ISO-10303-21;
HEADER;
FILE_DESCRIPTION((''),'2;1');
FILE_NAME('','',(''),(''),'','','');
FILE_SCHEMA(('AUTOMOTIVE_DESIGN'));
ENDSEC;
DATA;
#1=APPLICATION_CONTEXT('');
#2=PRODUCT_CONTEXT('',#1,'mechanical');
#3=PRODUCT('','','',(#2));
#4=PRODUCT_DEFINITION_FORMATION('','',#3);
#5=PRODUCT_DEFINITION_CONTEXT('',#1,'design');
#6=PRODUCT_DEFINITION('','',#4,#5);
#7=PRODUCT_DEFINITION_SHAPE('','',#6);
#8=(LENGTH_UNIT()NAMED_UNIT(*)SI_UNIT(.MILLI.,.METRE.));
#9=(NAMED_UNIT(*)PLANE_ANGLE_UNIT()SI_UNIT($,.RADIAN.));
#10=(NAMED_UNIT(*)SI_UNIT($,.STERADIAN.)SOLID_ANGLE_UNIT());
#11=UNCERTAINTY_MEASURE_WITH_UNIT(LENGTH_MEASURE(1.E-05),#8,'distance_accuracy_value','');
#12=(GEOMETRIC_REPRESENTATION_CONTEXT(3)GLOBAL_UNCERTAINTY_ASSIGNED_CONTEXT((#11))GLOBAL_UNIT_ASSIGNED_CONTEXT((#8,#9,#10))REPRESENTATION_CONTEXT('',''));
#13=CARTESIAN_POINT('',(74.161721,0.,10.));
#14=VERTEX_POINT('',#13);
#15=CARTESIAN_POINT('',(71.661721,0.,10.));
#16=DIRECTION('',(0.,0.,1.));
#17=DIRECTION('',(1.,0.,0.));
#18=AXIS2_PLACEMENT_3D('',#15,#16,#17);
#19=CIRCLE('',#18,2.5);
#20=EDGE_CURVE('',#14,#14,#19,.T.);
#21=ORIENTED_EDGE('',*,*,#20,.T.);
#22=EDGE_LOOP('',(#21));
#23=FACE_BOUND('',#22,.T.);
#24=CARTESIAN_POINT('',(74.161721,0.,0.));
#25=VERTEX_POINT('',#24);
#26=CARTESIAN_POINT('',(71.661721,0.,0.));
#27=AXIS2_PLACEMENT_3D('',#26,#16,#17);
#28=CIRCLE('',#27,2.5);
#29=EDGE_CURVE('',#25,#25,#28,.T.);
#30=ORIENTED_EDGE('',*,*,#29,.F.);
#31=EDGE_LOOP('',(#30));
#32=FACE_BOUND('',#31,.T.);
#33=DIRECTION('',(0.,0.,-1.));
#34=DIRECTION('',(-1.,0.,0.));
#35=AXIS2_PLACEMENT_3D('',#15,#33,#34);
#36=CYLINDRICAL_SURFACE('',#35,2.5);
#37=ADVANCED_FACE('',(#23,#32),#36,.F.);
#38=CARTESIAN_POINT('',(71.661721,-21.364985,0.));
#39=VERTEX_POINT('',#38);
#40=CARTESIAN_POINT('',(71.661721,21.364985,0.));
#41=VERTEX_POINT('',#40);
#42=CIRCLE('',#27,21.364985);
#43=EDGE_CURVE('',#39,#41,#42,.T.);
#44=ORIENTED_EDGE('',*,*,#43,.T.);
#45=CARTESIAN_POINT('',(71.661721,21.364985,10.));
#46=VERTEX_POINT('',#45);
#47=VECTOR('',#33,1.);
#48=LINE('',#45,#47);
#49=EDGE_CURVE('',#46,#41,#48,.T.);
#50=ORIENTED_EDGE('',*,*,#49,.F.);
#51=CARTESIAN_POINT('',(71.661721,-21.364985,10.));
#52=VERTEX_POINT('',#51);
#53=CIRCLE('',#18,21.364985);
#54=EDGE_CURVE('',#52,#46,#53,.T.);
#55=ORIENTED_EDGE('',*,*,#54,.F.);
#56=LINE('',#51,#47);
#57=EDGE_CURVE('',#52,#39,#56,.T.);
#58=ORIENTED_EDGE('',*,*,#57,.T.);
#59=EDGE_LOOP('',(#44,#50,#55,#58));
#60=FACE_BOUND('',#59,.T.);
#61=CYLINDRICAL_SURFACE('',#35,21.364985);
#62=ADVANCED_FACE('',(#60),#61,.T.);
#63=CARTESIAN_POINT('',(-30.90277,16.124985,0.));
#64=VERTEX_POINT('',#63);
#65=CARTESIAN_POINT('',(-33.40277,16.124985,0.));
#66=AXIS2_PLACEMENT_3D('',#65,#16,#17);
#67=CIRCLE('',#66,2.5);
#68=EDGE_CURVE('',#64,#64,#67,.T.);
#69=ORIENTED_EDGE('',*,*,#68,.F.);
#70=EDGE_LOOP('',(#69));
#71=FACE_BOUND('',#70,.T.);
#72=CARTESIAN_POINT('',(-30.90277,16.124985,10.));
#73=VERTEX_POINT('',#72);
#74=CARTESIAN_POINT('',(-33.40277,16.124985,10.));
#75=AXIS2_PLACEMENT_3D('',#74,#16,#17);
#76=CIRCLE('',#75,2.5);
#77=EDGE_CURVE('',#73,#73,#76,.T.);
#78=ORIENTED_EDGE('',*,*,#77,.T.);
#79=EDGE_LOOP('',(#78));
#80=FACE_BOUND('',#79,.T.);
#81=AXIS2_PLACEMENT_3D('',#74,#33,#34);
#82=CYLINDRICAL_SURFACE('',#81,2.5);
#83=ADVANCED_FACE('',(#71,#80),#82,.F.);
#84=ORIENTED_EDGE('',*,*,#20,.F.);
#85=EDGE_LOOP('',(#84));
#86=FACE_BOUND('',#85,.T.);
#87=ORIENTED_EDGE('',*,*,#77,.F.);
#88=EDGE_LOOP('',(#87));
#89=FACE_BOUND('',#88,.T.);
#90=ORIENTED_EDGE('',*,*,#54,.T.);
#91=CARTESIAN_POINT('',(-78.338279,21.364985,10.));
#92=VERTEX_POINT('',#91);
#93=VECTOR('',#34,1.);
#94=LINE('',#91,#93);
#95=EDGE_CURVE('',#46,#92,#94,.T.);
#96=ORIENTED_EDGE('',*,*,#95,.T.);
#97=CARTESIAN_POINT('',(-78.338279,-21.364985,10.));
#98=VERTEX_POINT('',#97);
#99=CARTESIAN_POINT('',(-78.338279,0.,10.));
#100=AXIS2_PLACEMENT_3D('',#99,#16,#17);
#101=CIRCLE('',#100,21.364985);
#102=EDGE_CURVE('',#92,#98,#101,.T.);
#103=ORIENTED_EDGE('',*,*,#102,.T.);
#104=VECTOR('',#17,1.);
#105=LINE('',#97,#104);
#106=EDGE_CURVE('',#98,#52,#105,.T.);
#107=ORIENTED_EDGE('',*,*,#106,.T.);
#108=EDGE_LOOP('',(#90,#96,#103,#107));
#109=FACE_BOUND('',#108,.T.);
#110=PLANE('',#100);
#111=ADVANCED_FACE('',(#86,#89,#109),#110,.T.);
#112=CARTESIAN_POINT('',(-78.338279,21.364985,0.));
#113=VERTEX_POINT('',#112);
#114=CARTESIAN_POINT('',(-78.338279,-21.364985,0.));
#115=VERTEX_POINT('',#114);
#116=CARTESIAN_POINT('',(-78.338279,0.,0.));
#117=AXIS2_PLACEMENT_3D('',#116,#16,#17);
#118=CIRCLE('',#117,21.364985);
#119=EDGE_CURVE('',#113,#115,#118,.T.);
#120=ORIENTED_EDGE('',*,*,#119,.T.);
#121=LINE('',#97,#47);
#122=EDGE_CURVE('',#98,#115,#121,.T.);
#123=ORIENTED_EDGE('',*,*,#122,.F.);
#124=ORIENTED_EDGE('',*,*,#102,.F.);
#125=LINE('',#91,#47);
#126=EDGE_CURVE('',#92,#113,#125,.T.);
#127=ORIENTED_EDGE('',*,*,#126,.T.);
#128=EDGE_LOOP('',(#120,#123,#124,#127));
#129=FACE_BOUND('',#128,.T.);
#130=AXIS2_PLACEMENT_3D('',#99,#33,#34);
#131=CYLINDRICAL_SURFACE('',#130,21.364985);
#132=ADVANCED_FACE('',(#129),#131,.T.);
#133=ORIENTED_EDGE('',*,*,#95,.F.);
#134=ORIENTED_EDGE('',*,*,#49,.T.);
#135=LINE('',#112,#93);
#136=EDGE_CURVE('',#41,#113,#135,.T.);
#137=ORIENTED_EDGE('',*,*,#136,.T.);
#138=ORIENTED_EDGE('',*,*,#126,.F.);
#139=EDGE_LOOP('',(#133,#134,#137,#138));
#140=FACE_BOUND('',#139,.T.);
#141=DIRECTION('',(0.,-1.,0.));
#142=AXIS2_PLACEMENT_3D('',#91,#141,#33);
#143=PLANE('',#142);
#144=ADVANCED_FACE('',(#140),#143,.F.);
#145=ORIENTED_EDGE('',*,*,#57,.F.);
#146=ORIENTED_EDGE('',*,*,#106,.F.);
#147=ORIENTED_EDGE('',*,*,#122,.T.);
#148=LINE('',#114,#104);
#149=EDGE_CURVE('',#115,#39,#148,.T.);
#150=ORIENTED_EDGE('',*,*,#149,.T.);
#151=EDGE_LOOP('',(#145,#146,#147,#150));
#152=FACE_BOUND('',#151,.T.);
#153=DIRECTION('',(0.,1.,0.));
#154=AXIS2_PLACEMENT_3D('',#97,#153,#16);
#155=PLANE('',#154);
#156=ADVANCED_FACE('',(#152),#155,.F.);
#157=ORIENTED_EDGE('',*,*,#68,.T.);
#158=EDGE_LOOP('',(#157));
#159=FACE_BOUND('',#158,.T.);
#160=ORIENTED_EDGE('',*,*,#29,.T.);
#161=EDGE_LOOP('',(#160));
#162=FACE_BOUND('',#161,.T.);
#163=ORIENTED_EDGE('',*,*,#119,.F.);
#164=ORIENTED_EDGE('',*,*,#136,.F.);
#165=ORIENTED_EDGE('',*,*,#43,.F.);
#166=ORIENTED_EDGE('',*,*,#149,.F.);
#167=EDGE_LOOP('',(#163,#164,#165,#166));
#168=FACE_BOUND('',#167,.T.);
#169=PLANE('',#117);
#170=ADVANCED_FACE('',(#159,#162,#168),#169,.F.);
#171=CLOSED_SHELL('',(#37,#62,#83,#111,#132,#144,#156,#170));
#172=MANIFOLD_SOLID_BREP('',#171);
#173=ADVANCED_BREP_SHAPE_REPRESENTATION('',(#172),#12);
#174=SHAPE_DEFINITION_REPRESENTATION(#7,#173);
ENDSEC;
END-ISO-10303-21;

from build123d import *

# Parameters (mm, degrees)
SKETCH1_R           = 2.5
BOSS_EXTRUDE1_DEPTH = 10


with BuildPart() as part:
    # Sketch1 → Boss-Extrude1 (new body)
    with BuildSketch(Plane.XY):
        with BuildLine():
            Line((-78.338278932, 21.364985163), (71.661721068, 21.364985163))
            ThreePointArc((71.661721068, 21.364985163), (93.026706231, 0), (71.661721068, -21.364985163))
            Line((71.661721068, -21.364985163), (-78.338278932, -21.364985163))
            ThreePointArc((-78.338278932, -21.364985163), (-99.703264095, 0), (-78.338278932, 21.364985163))
        make_face()
        with Locations((71.661721068, 0)):
            Circle(SKETCH1_R, mode=Mode.SUBTRACT)
        with Locations((-33.402769588, 16.124985163)):
            Circle(SKETCH1_R, mode=Mode.SUBTRACT)
    extrude(amount=BOSS_EXTRUDE1_DEPTH)


solid = part.part
